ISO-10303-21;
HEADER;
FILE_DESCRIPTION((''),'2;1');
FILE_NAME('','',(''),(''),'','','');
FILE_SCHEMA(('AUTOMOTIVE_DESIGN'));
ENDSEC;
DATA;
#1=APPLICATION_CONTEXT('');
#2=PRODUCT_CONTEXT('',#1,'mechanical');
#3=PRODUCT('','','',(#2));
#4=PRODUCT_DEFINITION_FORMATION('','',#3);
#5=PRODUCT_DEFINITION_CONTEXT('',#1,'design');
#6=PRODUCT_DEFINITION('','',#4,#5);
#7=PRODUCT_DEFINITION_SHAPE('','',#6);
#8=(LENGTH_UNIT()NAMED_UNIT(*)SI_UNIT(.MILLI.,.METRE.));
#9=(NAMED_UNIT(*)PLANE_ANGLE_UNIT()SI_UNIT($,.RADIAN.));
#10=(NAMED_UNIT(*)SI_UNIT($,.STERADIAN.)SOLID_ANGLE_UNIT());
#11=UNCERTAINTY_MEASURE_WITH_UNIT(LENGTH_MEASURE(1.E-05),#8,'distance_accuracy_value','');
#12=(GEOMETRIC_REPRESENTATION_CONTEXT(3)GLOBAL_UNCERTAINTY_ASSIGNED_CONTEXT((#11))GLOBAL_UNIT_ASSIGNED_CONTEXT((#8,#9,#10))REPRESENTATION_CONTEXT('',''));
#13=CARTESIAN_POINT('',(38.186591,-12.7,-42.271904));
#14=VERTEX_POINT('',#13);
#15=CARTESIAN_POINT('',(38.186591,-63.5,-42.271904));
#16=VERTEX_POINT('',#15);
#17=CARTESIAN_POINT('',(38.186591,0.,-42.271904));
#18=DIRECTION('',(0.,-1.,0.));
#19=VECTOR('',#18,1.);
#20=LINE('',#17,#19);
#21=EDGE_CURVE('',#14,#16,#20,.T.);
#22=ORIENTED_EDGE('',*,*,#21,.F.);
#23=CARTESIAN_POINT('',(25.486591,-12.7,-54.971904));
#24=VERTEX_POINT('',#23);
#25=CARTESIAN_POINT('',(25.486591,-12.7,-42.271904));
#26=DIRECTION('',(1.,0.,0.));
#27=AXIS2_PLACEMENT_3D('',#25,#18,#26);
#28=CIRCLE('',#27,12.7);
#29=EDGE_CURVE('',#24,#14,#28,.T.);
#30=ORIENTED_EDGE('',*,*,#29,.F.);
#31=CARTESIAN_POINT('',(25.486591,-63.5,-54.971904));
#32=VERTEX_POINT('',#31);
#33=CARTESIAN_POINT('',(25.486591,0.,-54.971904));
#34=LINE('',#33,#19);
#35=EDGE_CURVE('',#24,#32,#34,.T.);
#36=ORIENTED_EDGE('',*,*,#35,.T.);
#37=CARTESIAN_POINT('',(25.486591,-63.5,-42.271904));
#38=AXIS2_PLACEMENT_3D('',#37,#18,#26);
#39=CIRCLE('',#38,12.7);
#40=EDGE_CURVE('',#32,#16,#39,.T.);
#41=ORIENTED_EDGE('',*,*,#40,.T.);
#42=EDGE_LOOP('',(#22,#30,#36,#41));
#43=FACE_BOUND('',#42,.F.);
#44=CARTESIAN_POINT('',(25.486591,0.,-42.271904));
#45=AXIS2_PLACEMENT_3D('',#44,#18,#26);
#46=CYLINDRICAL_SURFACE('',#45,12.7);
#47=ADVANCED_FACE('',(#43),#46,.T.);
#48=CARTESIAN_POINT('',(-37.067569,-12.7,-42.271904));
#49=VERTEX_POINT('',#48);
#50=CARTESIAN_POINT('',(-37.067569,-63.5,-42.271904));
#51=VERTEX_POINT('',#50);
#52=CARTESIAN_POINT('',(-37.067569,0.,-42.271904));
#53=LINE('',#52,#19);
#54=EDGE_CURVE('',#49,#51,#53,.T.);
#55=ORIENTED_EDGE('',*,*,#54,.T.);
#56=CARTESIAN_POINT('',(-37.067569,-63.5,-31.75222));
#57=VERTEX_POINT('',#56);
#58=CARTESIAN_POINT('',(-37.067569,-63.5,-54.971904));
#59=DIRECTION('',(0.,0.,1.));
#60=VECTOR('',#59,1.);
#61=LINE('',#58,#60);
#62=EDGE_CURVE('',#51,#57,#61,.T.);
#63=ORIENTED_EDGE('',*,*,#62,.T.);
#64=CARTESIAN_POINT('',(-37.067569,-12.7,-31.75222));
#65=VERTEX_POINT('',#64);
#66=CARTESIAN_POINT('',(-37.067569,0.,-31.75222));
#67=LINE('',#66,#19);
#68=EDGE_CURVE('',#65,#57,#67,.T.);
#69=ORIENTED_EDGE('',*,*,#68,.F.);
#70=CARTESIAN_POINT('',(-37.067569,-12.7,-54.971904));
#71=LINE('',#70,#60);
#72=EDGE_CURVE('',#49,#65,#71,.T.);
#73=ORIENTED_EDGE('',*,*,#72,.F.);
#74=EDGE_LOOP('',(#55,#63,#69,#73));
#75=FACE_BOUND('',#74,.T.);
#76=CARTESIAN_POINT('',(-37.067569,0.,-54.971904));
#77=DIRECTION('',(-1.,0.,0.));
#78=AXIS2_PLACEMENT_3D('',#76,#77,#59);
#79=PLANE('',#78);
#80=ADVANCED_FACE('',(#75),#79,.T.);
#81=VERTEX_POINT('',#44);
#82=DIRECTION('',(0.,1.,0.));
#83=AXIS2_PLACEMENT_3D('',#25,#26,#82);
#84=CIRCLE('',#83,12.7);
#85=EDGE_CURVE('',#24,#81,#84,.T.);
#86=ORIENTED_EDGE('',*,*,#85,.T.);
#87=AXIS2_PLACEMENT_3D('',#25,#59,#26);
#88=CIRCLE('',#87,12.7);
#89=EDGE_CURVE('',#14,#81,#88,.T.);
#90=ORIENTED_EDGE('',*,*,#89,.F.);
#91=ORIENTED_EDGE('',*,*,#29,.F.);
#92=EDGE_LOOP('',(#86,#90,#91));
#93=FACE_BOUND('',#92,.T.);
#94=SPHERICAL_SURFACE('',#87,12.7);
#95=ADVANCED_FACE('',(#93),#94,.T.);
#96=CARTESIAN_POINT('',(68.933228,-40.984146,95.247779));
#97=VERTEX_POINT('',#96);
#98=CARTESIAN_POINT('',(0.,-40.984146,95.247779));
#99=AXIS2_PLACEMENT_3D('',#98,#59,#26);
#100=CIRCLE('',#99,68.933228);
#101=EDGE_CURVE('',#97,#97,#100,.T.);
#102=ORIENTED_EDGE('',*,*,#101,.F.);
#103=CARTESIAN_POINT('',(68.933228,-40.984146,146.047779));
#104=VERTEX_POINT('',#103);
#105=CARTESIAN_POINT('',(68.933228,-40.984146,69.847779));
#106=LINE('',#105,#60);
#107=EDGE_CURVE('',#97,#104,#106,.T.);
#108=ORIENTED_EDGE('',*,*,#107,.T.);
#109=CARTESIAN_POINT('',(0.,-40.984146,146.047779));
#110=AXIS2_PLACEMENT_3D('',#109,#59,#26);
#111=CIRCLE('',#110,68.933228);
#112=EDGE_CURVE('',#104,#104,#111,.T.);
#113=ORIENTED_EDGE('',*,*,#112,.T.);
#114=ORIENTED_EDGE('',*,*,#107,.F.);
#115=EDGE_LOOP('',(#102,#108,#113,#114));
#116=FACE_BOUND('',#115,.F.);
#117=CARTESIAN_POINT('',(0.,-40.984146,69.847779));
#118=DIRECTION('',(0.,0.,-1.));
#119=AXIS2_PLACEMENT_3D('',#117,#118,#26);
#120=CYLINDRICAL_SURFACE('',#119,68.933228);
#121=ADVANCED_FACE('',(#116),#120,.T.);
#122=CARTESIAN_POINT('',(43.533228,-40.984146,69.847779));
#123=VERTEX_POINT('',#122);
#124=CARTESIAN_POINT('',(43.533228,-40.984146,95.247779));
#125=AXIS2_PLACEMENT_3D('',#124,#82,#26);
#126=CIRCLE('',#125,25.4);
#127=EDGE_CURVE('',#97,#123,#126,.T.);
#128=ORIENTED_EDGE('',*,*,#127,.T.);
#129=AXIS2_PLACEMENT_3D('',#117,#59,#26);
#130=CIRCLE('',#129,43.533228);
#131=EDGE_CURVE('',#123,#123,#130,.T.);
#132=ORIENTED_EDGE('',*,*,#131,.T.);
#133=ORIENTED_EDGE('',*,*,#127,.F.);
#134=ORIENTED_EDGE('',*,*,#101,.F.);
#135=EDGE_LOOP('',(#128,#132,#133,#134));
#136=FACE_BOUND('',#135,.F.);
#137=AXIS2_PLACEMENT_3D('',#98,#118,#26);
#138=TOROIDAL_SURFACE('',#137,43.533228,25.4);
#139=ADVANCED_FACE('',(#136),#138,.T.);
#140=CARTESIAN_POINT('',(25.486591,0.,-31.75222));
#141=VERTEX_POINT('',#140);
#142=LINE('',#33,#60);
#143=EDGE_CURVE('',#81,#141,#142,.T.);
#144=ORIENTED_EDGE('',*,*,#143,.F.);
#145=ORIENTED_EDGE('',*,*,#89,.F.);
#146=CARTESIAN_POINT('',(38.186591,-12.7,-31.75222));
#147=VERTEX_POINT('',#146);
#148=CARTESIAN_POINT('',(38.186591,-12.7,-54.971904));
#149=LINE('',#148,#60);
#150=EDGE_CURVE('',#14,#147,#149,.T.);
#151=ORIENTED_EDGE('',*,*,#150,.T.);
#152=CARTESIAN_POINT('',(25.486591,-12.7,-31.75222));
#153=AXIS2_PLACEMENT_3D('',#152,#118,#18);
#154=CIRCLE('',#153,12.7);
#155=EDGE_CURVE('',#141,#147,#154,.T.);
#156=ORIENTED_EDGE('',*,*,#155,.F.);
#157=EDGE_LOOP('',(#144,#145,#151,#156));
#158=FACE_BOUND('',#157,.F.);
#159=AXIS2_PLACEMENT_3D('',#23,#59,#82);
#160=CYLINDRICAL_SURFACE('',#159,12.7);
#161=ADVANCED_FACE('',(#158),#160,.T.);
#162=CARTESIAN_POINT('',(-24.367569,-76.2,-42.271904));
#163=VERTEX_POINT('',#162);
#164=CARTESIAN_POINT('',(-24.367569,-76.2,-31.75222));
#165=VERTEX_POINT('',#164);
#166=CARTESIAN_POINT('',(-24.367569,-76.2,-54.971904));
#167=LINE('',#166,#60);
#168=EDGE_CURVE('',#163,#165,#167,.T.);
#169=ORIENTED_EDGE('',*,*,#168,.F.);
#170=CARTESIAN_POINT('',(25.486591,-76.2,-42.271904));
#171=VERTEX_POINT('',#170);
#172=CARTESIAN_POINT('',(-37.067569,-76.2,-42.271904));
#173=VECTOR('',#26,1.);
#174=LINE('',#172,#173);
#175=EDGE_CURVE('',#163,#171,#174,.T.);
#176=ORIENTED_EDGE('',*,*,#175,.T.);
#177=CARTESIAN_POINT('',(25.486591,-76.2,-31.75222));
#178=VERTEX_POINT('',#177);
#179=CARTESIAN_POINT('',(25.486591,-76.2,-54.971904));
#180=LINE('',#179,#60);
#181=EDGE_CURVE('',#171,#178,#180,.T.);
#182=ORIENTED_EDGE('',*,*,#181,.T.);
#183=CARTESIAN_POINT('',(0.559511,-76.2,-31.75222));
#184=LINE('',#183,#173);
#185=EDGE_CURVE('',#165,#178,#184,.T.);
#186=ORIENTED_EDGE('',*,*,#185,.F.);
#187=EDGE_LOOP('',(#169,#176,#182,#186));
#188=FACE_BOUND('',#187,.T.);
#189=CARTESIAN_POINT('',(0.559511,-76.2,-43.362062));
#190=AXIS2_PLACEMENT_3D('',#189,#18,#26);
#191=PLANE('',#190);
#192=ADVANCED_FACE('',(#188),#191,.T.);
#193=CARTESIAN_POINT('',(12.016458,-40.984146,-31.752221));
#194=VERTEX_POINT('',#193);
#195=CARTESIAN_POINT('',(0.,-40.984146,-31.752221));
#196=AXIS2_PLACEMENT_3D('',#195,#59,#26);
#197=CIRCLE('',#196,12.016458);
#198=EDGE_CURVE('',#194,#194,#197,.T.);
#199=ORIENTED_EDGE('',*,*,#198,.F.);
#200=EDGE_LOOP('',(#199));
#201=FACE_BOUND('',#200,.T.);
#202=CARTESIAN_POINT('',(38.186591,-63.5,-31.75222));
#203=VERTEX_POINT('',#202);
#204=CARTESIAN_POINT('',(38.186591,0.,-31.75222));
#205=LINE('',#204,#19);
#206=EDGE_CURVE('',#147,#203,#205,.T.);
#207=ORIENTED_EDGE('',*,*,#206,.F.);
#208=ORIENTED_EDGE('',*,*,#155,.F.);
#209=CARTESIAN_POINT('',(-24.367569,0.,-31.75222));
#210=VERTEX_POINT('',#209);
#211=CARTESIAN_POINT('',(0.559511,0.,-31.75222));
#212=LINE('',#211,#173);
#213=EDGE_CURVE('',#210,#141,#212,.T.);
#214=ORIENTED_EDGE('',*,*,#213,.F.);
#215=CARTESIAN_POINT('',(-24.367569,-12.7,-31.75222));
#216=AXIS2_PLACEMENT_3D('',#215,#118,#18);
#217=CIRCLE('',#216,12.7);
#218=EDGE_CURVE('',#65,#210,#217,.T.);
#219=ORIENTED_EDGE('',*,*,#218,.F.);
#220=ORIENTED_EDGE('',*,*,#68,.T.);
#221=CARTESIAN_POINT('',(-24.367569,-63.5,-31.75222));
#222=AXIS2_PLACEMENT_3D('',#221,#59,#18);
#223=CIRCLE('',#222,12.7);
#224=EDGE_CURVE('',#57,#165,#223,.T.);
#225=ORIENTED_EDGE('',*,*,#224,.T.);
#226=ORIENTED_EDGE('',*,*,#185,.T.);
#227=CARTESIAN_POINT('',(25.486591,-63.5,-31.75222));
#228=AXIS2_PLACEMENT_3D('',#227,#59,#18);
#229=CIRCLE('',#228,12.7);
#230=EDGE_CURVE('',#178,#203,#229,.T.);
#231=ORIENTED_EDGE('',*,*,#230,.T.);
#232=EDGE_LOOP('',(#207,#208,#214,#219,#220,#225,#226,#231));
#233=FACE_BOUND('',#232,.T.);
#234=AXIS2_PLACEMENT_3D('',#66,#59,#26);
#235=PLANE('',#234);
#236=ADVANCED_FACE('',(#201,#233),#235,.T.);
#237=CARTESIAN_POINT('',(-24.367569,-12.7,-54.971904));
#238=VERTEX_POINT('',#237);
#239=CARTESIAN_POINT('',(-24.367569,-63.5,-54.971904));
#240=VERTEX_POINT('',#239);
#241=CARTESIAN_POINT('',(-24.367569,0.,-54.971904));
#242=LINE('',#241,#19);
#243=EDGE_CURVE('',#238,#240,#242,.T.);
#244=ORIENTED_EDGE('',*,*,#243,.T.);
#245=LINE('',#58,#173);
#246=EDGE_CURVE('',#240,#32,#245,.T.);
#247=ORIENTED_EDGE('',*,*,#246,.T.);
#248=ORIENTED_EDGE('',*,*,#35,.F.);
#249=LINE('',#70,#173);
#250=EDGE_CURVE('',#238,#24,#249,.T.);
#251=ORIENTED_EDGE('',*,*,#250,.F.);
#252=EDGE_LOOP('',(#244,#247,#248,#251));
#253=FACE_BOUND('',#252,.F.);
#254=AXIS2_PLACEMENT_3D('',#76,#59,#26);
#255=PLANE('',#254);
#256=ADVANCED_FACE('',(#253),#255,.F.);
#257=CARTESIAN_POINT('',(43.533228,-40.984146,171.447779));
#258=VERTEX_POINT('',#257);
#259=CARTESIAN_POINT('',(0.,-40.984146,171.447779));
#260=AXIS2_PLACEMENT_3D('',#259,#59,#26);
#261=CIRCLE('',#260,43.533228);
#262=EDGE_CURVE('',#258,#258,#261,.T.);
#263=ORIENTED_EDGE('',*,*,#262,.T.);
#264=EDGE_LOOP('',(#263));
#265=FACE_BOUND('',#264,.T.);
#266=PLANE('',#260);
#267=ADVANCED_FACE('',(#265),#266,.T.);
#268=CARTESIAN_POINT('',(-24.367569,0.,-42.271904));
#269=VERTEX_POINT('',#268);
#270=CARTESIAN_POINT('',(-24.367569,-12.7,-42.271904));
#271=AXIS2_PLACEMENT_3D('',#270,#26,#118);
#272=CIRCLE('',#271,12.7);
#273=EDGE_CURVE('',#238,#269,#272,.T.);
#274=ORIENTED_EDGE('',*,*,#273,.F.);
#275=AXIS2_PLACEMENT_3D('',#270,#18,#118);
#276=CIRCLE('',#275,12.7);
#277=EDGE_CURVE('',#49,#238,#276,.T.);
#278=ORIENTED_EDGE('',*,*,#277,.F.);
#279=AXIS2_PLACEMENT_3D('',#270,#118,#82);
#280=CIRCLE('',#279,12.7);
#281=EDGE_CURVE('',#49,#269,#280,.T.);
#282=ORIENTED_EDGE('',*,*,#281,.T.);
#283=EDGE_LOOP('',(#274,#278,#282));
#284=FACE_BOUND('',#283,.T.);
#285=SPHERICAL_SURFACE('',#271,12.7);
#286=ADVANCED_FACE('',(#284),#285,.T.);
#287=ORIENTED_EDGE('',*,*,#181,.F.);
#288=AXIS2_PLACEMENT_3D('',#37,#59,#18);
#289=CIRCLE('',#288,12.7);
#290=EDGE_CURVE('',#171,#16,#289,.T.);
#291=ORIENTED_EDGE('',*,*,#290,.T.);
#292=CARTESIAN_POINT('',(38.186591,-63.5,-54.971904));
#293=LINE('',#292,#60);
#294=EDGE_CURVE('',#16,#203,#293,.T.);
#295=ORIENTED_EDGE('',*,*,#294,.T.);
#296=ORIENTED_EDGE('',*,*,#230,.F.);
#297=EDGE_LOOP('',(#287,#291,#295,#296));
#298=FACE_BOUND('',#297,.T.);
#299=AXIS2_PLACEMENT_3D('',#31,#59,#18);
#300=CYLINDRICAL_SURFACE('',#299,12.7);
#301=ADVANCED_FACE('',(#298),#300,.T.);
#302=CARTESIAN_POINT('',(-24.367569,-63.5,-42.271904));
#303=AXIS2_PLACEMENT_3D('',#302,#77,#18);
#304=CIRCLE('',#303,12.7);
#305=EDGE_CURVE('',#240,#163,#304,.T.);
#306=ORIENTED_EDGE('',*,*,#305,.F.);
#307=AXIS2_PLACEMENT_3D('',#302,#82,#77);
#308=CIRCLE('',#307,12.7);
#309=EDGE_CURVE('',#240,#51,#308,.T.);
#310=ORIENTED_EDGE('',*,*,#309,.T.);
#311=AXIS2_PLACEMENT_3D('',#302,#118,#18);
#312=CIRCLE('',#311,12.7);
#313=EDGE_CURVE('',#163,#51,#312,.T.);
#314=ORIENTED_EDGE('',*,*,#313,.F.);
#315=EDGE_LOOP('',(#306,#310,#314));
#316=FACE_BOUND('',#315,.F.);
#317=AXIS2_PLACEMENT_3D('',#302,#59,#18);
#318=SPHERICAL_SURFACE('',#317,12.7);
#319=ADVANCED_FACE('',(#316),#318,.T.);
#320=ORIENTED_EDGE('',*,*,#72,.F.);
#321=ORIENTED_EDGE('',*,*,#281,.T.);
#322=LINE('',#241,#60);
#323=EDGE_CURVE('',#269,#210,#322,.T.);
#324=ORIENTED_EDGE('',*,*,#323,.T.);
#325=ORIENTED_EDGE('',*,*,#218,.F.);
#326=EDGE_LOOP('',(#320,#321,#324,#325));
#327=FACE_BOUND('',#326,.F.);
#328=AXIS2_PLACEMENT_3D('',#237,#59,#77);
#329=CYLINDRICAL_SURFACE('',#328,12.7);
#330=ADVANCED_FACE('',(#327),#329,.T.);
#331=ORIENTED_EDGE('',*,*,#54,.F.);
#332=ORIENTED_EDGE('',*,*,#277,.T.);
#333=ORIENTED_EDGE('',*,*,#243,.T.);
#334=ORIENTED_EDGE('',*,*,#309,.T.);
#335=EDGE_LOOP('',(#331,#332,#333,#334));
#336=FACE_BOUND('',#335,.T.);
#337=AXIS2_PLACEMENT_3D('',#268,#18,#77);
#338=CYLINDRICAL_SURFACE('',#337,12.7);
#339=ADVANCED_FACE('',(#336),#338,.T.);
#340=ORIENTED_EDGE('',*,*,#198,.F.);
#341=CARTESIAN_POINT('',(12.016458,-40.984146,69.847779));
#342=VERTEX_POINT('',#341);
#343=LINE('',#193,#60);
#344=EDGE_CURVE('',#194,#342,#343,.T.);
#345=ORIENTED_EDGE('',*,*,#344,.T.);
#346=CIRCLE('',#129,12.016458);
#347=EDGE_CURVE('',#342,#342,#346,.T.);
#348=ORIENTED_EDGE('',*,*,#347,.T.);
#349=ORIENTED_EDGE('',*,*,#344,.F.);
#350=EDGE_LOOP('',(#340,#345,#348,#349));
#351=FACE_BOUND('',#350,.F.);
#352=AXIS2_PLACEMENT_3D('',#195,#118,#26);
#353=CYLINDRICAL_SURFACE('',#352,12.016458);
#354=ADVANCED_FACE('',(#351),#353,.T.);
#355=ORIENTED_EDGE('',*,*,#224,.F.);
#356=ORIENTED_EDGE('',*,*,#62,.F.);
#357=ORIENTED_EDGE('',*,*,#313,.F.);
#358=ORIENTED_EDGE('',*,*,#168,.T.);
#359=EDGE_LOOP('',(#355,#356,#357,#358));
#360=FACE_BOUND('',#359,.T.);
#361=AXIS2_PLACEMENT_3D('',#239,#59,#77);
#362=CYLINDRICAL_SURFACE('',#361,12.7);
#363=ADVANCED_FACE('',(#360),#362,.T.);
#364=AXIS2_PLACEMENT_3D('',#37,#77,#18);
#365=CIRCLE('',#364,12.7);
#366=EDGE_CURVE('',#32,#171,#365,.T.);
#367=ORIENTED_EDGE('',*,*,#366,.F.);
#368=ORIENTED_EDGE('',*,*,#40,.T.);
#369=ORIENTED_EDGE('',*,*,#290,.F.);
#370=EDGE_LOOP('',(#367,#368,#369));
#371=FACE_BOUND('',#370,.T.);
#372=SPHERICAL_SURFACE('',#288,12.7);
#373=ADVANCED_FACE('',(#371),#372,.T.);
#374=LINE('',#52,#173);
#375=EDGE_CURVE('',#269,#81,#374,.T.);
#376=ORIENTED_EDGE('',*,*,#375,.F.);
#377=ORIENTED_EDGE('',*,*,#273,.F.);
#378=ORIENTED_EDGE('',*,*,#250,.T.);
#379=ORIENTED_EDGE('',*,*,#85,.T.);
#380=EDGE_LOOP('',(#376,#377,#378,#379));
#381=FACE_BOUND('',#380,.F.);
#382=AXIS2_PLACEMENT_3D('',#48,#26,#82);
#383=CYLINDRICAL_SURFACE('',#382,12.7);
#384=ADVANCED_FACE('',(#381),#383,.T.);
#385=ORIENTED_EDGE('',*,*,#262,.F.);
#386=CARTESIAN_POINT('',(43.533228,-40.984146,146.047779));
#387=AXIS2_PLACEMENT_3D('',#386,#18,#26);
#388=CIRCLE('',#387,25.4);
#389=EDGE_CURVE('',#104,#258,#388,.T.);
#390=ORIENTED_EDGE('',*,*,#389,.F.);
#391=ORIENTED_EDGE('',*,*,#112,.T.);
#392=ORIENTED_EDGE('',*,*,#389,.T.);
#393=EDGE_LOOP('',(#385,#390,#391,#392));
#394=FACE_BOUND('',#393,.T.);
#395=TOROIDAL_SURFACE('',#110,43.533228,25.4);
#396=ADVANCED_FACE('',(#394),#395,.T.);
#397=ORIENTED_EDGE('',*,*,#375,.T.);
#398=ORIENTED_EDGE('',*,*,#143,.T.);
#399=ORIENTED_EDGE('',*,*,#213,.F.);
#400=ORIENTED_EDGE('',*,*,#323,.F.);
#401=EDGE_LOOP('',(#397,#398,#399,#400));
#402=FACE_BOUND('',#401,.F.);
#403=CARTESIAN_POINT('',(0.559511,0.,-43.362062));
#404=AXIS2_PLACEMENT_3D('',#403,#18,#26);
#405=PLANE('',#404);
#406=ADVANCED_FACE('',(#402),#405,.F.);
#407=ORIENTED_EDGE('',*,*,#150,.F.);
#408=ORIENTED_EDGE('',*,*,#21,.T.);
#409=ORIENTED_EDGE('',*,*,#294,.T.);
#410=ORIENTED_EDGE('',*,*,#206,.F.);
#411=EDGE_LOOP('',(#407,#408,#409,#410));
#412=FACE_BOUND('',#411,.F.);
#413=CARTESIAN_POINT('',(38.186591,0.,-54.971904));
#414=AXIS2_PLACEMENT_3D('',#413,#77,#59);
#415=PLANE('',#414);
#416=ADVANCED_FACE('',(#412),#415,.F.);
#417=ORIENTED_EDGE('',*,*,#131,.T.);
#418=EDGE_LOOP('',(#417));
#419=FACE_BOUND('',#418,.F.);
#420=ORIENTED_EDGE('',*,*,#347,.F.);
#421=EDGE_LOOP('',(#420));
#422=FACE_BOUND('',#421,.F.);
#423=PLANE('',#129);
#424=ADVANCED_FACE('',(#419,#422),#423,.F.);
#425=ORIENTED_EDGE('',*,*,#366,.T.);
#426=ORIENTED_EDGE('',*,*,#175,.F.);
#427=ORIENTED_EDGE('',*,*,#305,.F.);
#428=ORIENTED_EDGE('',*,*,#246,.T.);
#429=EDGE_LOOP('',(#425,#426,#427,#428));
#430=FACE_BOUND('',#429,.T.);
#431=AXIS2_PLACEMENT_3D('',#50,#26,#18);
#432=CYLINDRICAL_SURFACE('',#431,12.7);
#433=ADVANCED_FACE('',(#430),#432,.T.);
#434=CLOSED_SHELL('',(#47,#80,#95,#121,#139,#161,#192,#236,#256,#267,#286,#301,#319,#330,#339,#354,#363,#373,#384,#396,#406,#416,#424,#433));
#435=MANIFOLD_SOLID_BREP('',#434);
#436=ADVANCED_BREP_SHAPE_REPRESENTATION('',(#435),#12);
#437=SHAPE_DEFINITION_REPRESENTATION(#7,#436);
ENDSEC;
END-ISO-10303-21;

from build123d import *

# Parameters (mm, degrees)
F0_W     = 75.254161
F0_H     = 23.219683
F1_DEPTH = 76.2
F2_R     = 12.016458
F3_DEPTH = 101.6
F4_R     = 68.933228
F5_DEPTH = 101.6
F6_R     = 25.4
F7_R     = 12.7


with BuildPart() as f1:
    # F0 (on Front) → F1 (new body)
    with BuildSketch(Plane.XZ):
        with Locations((0.559511, -43.362062)):
            Rectangle(F0_W, F0_H)
    extrude(amount=F1_DEPTH)

    # F2 (on face) → F3 (join)
    with BuildSketch(Plane.XY.offset(-31.752221)):
        with Locations((0, -40.984146)):
            Circle(F2_R)
    extrude(amount=F3_DEPTH)

    # F4 (on face) → F5 (join)
    with BuildSketch(Plane.XY.offset(69.847779)):
        with Locations((0, -40.984146)):
            Circle(F4_R)
    extrude(amount=F5_DEPTH)

    # F6
    f6_edges = [f1.edges().sort_by_distance(p)[0] for p in [
        (-68.933228, -40.984146, 171.447779),
        (-68.933228, -40.984146, 69.847779),
    ]]
    fillet(f6_edges, radius=F6_R)

    # F7
    f7_edges = [f1.edges().sort_by_distance(p)[0] for p in [
        (38.186591, -76.2, -43.362062),
        (38.186591, 0, -43.362062),
        (-37.06757, -76.2, -43.362062),
        (0.559511, -76.2, -54.971904),
        (38.186591, -38.1, -54.971904),
        (0.559511, 0, -54.971904),
        (-37.06757, -38.1, -54.971904),
        (-37.06757, 0, -43.362062),
    ]]
    fillet(f7_edges, radius=F7_R)


solid = f1.part
